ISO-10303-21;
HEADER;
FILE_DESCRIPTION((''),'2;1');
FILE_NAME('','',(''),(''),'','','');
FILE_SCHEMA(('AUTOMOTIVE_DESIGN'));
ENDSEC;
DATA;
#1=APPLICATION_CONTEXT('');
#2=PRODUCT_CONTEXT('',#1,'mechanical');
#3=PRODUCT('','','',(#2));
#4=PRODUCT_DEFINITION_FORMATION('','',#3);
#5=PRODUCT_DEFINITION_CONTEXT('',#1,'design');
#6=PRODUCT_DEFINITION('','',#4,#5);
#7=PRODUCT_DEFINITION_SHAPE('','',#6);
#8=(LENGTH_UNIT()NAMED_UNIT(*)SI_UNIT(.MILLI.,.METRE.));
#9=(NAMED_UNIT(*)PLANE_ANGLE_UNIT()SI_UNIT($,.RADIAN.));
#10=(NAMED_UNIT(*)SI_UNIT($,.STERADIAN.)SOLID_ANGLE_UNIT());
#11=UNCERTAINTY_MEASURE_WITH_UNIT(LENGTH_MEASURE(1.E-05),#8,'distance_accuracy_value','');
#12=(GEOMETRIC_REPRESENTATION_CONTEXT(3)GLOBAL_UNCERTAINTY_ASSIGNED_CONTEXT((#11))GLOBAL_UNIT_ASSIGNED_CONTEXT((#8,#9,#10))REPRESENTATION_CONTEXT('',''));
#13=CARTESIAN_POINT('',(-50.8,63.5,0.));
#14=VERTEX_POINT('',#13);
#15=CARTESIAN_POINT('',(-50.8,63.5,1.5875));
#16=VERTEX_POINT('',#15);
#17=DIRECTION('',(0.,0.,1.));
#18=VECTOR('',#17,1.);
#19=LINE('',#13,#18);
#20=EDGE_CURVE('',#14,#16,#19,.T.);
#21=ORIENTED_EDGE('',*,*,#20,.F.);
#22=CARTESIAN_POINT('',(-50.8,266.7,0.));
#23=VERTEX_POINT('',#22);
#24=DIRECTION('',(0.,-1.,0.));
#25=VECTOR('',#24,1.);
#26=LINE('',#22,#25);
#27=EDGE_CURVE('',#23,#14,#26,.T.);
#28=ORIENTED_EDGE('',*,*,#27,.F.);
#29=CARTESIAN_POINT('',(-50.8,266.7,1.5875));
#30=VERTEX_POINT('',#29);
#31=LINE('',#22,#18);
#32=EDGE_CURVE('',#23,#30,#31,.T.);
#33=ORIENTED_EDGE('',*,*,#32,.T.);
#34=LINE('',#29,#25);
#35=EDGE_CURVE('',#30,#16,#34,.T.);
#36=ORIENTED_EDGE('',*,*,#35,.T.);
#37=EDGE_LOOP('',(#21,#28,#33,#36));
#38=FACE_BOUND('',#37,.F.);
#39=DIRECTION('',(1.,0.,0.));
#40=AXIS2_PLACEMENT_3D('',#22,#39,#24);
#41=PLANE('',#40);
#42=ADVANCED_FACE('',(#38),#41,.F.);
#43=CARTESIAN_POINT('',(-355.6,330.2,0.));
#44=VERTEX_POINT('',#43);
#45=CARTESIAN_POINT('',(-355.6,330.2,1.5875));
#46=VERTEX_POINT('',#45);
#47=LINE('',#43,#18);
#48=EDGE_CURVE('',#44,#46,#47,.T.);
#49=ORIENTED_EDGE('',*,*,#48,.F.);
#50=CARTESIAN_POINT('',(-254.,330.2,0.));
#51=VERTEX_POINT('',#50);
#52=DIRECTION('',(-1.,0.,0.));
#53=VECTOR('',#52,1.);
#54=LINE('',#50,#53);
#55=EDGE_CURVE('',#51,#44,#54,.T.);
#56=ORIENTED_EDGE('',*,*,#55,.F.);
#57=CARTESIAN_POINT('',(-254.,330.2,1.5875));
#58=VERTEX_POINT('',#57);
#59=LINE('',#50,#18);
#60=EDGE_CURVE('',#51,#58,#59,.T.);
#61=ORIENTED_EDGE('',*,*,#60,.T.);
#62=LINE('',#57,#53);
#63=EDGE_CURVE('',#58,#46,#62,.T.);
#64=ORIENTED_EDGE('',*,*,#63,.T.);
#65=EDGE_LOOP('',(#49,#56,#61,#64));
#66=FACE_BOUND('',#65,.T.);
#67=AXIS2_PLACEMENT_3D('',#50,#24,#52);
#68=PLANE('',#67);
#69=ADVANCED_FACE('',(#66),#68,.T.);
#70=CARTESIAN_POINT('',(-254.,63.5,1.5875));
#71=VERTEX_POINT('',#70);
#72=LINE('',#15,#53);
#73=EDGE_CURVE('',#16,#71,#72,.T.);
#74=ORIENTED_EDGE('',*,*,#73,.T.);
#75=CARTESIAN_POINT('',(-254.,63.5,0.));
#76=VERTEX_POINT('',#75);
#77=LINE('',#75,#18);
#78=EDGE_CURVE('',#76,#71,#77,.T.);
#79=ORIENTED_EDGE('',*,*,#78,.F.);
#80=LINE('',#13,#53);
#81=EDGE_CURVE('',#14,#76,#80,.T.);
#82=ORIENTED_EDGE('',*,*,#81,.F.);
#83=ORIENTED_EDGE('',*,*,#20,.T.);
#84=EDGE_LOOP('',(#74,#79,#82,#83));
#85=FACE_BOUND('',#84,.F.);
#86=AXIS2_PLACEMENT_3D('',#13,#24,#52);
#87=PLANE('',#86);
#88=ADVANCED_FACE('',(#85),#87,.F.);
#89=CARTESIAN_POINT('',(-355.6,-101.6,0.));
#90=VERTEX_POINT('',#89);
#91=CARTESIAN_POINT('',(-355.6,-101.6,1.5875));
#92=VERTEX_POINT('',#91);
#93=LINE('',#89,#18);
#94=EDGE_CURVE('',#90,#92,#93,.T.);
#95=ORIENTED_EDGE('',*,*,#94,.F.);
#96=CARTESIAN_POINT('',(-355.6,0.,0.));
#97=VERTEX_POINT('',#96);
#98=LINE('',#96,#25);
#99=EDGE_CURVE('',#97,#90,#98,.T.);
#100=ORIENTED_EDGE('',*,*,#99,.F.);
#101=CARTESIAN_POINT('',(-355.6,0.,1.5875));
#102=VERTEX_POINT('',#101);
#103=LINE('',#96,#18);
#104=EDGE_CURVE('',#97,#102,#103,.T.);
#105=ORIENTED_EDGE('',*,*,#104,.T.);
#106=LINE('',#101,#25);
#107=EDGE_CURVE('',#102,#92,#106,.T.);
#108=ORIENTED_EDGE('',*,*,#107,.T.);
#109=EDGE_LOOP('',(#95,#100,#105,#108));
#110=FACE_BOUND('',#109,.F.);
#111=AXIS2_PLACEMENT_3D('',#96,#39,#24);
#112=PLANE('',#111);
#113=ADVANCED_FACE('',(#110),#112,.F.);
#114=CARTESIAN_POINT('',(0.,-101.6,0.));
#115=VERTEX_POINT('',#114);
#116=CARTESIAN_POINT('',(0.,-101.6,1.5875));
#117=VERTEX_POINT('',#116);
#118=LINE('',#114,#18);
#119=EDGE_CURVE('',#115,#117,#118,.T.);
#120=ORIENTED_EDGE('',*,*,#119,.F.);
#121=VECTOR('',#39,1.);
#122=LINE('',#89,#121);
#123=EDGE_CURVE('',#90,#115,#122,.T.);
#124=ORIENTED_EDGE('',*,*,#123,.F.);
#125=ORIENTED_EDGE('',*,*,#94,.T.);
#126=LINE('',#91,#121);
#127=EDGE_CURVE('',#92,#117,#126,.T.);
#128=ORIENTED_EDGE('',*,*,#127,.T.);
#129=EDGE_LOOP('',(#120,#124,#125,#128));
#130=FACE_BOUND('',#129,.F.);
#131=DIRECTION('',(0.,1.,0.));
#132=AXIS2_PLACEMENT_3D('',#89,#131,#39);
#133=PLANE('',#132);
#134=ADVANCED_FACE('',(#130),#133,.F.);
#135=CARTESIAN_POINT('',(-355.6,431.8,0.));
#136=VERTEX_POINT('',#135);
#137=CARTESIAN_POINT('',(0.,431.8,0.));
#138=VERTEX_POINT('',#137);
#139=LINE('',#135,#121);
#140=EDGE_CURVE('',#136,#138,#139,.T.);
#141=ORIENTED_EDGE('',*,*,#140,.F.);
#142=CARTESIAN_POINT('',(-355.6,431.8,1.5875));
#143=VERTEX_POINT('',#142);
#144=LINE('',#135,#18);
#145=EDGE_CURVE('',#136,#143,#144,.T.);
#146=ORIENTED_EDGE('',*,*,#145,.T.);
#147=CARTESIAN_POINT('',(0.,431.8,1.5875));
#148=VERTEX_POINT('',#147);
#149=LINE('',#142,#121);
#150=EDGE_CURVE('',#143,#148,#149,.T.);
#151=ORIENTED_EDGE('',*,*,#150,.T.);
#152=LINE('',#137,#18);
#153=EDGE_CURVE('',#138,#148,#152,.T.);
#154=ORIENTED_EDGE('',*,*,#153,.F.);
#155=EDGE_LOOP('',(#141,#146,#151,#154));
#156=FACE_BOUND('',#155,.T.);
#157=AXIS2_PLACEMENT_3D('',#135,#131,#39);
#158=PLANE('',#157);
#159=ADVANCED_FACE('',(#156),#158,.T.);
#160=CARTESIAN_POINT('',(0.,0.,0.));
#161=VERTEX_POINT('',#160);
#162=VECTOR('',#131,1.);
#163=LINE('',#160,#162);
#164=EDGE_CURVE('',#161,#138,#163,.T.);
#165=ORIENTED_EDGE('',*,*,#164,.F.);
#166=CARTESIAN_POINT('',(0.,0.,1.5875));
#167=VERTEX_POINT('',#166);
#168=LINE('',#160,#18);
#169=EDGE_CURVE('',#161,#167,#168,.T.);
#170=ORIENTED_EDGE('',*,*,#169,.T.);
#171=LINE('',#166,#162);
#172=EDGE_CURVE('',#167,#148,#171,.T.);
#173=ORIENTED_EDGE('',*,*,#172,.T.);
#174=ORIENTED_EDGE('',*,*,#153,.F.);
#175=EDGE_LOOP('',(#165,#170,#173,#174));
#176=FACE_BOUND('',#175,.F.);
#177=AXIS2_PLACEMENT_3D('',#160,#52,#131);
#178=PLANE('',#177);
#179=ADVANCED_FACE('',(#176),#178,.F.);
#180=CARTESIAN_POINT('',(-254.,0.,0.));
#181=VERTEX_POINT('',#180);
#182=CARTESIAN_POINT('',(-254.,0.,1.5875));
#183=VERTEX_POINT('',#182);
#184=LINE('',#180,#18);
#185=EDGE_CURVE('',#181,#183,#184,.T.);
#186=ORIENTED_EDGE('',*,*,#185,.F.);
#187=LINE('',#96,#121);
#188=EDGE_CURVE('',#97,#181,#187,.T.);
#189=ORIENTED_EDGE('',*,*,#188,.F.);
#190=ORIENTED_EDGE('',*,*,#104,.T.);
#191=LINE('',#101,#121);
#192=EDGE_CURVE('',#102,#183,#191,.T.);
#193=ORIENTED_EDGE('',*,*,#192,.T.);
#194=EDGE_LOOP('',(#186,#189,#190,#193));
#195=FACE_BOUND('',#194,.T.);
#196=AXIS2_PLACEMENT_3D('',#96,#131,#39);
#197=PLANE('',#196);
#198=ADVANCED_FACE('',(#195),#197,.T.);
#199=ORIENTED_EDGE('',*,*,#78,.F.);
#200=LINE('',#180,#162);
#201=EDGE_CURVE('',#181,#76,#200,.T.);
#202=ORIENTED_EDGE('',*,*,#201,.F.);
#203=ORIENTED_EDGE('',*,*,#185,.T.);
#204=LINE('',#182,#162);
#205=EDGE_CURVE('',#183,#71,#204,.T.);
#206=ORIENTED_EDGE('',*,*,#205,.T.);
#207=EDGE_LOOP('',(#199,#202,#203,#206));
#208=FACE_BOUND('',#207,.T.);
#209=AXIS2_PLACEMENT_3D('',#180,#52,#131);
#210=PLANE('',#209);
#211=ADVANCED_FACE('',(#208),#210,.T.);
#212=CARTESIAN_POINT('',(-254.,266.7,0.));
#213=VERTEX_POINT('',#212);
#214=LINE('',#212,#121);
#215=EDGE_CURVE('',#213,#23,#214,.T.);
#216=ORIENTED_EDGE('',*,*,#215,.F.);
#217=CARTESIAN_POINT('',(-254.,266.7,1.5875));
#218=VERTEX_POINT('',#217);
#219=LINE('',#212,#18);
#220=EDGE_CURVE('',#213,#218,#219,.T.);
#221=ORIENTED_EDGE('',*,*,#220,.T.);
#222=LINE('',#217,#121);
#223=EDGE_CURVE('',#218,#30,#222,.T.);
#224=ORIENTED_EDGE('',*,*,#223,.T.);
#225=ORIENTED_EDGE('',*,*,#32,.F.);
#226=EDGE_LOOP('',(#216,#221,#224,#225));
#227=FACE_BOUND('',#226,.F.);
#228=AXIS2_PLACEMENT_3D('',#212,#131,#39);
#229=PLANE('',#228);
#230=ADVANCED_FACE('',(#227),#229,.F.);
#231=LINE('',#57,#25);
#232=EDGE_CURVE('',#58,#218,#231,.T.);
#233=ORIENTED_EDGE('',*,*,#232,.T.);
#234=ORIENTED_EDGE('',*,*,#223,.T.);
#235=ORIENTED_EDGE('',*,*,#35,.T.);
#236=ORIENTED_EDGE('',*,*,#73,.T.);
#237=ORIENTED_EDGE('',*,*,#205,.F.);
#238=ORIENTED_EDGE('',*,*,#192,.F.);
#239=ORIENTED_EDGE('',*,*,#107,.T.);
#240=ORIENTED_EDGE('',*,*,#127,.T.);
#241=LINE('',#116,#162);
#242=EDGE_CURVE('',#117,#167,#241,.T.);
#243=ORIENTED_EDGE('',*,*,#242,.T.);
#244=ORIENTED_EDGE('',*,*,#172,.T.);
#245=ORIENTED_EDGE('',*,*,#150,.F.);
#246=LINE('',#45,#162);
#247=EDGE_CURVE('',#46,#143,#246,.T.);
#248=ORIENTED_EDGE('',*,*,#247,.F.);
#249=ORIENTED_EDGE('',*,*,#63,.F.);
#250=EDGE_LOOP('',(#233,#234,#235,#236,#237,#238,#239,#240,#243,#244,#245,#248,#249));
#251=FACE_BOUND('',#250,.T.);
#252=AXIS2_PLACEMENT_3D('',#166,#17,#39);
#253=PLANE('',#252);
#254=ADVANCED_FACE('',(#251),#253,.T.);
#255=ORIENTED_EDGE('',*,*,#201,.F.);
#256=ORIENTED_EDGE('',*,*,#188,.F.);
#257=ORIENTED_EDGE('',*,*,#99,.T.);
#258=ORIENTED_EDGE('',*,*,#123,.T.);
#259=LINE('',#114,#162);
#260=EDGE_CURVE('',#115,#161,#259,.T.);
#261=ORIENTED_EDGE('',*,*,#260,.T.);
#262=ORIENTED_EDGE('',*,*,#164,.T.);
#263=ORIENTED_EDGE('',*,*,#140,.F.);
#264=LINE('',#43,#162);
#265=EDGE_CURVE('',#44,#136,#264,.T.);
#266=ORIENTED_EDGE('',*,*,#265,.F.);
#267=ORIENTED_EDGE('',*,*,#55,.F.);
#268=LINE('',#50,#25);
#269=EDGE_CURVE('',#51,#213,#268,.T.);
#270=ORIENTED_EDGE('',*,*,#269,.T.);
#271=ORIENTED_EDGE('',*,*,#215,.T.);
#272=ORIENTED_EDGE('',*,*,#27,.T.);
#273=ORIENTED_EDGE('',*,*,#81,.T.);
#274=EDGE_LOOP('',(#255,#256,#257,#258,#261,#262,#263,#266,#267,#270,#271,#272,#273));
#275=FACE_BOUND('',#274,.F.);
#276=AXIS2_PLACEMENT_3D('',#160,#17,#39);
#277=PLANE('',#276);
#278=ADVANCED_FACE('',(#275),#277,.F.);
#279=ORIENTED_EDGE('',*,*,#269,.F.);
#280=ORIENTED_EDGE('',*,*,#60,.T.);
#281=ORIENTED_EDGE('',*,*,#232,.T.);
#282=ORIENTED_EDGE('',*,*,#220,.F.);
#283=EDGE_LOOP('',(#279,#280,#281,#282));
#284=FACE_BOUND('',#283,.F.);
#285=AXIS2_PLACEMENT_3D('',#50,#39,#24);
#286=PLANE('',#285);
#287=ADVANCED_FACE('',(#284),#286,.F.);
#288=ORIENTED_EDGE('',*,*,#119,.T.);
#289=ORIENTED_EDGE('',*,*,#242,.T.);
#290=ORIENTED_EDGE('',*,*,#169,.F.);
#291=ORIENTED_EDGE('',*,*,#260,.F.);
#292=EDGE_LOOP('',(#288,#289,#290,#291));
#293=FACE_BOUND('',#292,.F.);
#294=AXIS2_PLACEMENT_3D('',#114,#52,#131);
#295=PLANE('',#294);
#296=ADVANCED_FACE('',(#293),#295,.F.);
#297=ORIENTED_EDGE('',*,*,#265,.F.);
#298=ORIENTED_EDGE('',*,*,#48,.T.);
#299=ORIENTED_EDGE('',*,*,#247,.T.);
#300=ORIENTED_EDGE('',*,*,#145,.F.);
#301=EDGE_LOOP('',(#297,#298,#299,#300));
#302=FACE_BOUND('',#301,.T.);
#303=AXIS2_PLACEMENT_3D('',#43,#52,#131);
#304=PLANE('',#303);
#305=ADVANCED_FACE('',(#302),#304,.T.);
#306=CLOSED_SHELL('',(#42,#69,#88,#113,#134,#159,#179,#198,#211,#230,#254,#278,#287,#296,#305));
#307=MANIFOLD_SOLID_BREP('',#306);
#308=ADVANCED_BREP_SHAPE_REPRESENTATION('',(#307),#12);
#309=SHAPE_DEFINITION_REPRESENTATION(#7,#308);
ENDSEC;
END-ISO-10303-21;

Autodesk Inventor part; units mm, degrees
ref_plane "YZ Plane" through (0, 0, 0) normal (1, 0, 0) x (0, 1, 0)
ref_plane "XZ Plane" through (0, 0, 0) normal (0, 1, 0) x (-1, 0, 0)
ref_plane "XY Plane" through (0, 0, 0) normal (0, 0, 1) x (1, 0, 0)
sketch "Sketch1" plane through (0, 0, 0) normal (0, 0, 1) x (1, 0, 0)
  line L0 (-355.6, 0) -> (-355.6, -101.6)
  line L1 (-355.6, -101.6) -> (0, -101.6)
  line L2 (0, -101.6) -> (0, 0)
  line L3 (-254, 330.2) -> (-355.6, 330.2)
  line L4 (-355.6, 330.2) -> (-355.6, 431.8)
  line L5 (-355.6, 431.8) -> (0, 431.8)
  line L6 (0, 0) -> (0, 431.8)
  line L7 (-355.6, 0) -> (-254, 0)
  line L8 (-254, 330.2) -> (-254, 266.7)
  line L9 (-254, 0) -> (-254, 63.5)
  line L10 (-254, 266.7) -> (-50.8, 266.7)
  line L11 (-50.8, 266.7) -> (-50.8, 63.5)
  line L12 (-50.8, 63.5) -> (-254, 63.5)
  dimension "d4" = 355.6
  dimension "d5" = 101.6
  dimension "d6" = 101.6
  dimension "d7" = 431.8
  dimension "d9" = 63.5
  dimension "d10" = 63.5
  dimension "d11" = 50.8
  dimension "d12" = 101.6
extrude "Extrusion1" add sketch "Sketch1" along normal blind 1.5875
properties part number "skid plate" material "Aluminum 6061"
